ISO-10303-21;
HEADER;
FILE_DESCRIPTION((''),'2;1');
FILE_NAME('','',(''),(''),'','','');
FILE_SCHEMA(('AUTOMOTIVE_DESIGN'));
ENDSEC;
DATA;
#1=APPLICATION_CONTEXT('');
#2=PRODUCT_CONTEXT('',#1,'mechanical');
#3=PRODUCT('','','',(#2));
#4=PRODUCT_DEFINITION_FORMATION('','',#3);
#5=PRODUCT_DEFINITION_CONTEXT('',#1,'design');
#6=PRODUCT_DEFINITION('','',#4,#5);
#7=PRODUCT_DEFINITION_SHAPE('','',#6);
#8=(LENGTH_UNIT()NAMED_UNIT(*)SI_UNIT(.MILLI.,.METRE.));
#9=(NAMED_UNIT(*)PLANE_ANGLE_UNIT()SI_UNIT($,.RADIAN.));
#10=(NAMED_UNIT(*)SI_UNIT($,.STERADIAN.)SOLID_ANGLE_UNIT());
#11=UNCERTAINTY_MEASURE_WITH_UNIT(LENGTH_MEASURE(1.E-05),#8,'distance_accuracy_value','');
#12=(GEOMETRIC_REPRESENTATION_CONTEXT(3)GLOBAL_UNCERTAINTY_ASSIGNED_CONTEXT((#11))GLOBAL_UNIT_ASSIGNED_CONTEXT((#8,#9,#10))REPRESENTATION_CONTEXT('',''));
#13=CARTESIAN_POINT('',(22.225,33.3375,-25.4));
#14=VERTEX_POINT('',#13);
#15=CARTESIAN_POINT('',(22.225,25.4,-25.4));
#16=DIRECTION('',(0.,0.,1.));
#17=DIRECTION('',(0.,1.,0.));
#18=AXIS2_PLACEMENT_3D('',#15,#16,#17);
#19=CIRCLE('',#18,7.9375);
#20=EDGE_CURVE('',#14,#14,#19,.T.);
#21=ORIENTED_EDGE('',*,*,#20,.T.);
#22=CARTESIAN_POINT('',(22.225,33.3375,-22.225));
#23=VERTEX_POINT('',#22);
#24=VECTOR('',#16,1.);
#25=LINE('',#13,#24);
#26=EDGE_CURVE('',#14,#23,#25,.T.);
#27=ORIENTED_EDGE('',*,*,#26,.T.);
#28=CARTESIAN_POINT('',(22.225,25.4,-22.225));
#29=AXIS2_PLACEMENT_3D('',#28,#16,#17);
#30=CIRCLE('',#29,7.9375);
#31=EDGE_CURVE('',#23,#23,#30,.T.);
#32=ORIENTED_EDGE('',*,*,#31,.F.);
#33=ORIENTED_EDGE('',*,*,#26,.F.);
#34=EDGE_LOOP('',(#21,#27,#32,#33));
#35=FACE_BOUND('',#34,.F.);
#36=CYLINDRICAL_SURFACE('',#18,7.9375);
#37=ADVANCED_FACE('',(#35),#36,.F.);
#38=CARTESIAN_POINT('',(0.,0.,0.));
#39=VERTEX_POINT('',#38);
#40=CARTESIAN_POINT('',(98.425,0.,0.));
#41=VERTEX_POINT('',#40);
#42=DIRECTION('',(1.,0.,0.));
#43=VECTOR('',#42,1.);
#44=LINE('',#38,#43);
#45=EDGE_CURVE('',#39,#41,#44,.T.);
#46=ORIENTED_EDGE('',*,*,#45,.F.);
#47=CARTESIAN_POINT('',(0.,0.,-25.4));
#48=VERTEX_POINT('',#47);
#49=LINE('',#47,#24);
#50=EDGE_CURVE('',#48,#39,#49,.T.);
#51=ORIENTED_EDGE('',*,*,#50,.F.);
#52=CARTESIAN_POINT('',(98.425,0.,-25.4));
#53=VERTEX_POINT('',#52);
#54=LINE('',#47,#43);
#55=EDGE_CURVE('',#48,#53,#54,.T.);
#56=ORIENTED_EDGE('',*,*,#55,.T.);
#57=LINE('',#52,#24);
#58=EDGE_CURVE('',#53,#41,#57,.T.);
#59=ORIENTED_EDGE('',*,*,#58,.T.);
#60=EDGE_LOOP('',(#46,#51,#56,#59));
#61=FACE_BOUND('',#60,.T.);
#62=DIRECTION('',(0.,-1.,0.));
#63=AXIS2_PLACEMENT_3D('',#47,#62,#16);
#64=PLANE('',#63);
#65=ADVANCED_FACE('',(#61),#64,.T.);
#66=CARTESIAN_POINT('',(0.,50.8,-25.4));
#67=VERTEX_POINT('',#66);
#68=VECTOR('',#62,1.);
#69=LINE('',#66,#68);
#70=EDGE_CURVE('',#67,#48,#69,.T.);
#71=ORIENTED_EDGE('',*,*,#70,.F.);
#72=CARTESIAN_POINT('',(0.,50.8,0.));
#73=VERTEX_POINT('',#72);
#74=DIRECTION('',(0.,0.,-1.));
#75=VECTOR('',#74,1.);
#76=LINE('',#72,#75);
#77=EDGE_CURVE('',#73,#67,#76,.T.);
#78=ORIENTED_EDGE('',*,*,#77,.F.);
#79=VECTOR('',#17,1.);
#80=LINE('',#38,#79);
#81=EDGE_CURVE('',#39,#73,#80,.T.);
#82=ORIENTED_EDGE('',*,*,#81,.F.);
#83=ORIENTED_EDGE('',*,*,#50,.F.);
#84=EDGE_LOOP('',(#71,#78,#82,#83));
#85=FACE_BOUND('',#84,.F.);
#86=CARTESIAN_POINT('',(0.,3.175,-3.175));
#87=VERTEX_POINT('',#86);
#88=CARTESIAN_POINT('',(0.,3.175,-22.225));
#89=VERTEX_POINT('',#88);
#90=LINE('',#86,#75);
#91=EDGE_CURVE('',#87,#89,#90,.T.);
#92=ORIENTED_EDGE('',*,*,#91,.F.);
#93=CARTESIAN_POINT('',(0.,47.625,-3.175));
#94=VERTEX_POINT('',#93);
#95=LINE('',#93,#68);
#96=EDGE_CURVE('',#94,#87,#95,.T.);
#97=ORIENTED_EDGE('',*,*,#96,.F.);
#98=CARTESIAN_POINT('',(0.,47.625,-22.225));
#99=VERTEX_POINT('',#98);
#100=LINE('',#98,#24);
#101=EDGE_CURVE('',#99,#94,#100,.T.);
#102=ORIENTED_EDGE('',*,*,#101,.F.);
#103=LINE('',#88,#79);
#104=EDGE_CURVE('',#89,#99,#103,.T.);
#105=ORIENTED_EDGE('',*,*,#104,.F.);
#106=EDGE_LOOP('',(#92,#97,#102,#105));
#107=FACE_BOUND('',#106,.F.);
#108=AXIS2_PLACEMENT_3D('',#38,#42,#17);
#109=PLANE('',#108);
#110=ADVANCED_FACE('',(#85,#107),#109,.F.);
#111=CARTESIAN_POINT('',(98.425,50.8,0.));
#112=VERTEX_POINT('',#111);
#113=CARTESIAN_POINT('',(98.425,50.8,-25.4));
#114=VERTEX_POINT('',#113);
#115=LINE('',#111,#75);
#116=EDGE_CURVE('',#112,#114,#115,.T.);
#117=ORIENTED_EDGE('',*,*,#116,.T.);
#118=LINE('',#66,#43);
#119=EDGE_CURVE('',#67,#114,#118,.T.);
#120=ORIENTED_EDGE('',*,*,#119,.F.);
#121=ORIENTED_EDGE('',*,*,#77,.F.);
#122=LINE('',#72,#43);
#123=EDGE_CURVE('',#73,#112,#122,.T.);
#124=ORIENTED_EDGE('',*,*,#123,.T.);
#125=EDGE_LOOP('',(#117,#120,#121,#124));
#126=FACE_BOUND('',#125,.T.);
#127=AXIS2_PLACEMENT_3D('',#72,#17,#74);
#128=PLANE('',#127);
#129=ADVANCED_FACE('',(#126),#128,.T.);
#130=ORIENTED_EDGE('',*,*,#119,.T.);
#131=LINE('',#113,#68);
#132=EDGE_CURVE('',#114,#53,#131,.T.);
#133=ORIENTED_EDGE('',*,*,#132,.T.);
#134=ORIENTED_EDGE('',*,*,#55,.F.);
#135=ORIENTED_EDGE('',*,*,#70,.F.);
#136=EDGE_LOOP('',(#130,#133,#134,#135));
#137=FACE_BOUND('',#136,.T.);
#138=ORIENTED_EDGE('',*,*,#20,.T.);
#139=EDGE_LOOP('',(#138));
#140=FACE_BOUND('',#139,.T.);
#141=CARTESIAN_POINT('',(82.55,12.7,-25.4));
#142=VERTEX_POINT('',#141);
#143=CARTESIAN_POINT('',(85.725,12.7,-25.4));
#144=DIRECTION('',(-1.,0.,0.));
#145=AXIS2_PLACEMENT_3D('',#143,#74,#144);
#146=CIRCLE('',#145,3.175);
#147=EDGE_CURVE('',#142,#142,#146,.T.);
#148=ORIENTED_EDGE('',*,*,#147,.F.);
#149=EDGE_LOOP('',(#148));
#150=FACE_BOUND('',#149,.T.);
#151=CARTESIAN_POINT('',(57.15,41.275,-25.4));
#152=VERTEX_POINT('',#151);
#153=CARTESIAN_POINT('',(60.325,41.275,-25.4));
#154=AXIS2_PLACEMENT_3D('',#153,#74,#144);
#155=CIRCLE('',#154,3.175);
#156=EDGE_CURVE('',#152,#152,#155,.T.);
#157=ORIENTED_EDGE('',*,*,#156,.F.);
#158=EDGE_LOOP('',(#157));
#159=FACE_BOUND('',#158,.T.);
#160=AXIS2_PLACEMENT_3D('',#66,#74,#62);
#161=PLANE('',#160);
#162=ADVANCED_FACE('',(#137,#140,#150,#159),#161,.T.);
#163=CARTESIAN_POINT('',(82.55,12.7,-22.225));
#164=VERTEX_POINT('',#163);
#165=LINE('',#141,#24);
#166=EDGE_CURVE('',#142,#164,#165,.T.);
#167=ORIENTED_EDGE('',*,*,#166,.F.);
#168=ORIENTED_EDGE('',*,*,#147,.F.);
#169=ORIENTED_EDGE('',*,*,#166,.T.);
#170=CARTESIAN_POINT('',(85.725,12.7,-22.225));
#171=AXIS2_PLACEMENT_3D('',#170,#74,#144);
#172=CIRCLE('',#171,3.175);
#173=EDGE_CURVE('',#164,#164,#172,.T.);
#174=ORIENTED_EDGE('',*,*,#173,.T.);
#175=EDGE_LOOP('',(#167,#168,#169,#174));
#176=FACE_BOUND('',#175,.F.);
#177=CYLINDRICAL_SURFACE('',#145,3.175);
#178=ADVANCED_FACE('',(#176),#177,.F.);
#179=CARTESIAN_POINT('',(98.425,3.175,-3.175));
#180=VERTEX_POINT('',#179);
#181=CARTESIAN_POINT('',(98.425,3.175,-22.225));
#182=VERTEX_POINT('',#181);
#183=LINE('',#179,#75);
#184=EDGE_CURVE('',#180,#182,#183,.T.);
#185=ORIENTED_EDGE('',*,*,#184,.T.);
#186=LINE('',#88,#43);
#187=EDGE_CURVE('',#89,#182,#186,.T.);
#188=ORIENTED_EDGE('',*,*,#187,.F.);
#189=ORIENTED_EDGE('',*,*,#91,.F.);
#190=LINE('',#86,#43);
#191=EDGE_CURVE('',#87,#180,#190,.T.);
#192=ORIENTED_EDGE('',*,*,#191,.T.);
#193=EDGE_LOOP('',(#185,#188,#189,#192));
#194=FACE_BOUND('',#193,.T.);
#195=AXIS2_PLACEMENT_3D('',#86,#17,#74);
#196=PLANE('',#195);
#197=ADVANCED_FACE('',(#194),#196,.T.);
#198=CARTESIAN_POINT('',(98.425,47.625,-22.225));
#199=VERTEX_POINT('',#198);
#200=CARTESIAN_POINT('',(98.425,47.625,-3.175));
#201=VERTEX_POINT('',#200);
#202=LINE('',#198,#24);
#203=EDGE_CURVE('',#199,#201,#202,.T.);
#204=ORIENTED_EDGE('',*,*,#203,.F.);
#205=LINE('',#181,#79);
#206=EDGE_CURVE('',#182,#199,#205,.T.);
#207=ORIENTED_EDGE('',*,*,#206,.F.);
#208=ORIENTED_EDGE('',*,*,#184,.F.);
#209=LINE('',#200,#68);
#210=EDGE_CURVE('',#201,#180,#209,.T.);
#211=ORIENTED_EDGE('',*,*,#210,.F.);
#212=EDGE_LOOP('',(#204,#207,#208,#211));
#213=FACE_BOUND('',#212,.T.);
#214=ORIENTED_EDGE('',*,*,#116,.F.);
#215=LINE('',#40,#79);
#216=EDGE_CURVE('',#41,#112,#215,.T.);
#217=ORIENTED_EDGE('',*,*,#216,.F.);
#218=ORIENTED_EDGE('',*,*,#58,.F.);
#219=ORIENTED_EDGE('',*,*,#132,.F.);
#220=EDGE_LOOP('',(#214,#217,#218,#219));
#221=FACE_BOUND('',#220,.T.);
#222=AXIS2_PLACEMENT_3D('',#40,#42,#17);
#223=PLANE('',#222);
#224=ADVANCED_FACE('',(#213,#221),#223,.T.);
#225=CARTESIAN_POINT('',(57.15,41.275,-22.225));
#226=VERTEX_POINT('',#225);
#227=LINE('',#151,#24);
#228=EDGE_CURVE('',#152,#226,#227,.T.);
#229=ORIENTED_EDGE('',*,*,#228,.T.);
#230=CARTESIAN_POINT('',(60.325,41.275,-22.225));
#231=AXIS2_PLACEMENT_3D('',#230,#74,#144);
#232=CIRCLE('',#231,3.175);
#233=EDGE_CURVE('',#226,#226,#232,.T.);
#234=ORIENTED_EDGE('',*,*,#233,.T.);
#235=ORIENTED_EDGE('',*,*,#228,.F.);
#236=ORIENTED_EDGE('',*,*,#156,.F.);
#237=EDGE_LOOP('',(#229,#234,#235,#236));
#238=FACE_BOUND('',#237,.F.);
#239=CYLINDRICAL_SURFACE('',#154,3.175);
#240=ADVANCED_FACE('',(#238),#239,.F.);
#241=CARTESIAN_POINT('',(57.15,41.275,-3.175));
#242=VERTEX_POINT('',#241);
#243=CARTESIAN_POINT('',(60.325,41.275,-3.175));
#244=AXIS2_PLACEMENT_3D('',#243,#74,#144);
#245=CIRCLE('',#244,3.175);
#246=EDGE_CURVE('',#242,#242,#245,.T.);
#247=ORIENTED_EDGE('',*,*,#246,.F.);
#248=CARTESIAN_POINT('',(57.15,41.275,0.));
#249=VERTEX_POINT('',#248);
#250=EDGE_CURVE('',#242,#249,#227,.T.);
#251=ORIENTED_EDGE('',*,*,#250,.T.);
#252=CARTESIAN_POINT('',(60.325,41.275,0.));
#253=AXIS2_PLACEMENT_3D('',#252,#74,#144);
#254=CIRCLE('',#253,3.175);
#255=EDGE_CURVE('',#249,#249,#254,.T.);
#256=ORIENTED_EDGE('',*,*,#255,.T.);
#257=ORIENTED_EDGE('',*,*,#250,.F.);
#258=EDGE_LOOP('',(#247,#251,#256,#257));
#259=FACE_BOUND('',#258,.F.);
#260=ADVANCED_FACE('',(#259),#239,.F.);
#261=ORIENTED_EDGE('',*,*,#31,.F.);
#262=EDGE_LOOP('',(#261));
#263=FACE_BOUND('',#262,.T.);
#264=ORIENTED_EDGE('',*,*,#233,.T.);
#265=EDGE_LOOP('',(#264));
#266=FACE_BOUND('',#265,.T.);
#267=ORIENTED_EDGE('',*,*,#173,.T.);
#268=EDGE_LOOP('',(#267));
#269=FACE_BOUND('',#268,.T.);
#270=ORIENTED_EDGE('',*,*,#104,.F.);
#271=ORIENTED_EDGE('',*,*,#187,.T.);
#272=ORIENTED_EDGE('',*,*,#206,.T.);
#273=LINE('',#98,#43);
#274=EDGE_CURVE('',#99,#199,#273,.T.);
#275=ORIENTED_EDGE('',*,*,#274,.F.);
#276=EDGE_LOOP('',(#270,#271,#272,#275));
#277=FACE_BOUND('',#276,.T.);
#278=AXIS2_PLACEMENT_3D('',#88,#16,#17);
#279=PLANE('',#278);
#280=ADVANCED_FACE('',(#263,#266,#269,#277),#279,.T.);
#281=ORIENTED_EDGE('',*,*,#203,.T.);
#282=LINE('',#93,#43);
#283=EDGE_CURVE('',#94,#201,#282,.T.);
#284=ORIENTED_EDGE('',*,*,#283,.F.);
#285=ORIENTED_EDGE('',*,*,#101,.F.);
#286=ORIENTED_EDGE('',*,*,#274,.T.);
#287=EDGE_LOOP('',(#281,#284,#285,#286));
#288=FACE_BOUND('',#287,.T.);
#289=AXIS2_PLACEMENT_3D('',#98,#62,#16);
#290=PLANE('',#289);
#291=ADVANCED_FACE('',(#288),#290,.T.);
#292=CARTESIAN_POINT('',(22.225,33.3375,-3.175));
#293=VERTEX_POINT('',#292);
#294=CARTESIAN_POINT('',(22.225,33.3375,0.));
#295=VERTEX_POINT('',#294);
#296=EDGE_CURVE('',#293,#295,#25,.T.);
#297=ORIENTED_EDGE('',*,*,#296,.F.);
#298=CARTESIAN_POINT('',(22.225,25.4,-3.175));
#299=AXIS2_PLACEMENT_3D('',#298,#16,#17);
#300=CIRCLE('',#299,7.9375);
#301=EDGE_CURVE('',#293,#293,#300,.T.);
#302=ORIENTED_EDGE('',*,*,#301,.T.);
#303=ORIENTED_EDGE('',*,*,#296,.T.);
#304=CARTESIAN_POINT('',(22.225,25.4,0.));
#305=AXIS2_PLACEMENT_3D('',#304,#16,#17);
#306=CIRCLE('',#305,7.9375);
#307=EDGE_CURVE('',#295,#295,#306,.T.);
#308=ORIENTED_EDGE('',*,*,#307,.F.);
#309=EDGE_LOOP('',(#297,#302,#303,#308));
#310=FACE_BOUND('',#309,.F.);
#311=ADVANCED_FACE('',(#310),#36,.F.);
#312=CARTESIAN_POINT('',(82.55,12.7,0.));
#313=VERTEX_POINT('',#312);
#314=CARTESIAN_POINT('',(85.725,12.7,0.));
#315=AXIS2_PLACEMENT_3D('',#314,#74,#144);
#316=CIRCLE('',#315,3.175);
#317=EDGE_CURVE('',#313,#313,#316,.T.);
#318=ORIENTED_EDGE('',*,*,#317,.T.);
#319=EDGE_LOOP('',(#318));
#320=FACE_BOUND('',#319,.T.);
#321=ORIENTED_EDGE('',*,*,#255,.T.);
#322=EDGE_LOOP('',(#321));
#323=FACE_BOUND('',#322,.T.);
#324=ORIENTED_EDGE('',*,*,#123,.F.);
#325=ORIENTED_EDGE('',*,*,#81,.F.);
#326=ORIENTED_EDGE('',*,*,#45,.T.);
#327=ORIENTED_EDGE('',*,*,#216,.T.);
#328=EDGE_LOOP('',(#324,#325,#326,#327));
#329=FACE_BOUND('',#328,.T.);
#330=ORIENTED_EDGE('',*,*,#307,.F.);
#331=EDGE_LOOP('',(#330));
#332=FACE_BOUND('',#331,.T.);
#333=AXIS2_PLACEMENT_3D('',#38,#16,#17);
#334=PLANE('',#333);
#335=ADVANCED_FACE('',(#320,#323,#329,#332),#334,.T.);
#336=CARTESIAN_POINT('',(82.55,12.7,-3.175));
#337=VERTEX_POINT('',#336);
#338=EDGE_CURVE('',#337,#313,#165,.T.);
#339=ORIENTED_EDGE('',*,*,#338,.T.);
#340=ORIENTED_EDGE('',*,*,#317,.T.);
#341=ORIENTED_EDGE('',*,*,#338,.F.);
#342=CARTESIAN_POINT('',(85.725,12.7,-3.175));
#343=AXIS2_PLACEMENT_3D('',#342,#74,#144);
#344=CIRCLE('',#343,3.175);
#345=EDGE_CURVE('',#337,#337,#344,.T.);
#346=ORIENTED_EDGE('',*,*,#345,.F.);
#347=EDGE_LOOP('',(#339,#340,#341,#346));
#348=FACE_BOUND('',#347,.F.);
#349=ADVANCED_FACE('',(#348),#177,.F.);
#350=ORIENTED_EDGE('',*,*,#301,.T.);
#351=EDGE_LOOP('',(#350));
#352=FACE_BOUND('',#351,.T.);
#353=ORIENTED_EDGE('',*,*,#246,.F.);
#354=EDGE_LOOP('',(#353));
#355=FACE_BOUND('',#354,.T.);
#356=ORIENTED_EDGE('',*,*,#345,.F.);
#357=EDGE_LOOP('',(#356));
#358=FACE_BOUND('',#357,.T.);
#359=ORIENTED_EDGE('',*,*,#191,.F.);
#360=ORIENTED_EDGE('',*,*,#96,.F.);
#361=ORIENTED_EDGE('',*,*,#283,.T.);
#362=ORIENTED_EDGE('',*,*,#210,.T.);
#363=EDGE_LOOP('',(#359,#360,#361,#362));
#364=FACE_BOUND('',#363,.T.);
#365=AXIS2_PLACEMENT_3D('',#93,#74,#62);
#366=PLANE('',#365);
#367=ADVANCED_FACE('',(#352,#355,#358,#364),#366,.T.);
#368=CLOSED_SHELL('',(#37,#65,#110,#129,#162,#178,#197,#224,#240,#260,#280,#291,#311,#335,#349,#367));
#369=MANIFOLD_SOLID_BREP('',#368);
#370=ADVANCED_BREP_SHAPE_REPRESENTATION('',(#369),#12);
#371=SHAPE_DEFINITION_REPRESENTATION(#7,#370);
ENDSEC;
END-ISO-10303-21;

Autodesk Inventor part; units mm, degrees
ref_plane "YZ Plane" through (0, 0, 0) normal (1, 0, 0) x (0, 1, 0)
ref_plane "XZ Plane" through (0, 0, 0) normal (0, 1, 0) x (-1, 0, 0)
ref_plane "XY Plane" through (0, 0, 0) normal (0, 0, 1) x (1, 0, 0)
sketch "Sketch1" plane through (0, 0, 0) normal (1, 0, 0) x (0, 1, 0)
  line L0 (0, 0) -> (50.8, 0)
  line L1 (50.8, 0) -> (50.8, -25.4)
  line L2 (50.8, -25.4) -> (0, -25.4)
  line L3 (0, -25.4) -> (0, 0)
  line L4 (47.625, -3.175) -> (3.175, -3.175)
  line L5 (3.175, -3.175) -> (3.175, -22.225)
  line L6 (3.175, -22.225) -> (47.625, -22.225)
  line L7 (47.625, -22.225) -> (47.625, -3.175)
  dimension "d0" = 50.8
  dimension "d1" = 25.4
  dimension "d2" = 3.175
extrude "Extrusion1" add sketch "Sketch1" along normal blind 98.425
sketch "Sketch2" plane through (0, 0, -25.4) normal (0, 0, -1) x (-1, 0, 0)
  line L0 (0, 50.8) -> (-98.425, 50.8) projected
  line L1 (0, 50.8) -> (0, 0) projected
  line L2 (0, 0) -> (-98.425, 0) projected
  point P0 (-22.225, 25.4)
  dimension "d5" = 25.4
  dimension "d6" = 22.225
hole "Hole2" at (22.225, 25.4, -25.4) direction (0, 0, 1) diameter 15.875 end through all
sketch "Sketch3" plane through (0, 0, -25.4) normal (0, 0, -1) x (-1, 0, 0)
  circle A0 centre (-85.725, 12.7) radius 3.175
  circle A1 centre (-60.325, 41.275) radius 3.175
  line L0 (0, 0) -> (-98.425, 0) projected
  line L1 (-98.425, 0) -> (-98.425, 50.8) projected
  dimension "d23" = 6.35
  dimension "d24" = 6.35
  dimension "d25" = 12.7
  dimension "d26" = 38.1
  dimension "d27" = 41.275
  dimension "d28" = 12.7
extrude "Extrusion2" cut sketch "Sketch3" against normal blind 25.4
properties part number "15102898-16-P-0304" material "Aluminum 6061"
